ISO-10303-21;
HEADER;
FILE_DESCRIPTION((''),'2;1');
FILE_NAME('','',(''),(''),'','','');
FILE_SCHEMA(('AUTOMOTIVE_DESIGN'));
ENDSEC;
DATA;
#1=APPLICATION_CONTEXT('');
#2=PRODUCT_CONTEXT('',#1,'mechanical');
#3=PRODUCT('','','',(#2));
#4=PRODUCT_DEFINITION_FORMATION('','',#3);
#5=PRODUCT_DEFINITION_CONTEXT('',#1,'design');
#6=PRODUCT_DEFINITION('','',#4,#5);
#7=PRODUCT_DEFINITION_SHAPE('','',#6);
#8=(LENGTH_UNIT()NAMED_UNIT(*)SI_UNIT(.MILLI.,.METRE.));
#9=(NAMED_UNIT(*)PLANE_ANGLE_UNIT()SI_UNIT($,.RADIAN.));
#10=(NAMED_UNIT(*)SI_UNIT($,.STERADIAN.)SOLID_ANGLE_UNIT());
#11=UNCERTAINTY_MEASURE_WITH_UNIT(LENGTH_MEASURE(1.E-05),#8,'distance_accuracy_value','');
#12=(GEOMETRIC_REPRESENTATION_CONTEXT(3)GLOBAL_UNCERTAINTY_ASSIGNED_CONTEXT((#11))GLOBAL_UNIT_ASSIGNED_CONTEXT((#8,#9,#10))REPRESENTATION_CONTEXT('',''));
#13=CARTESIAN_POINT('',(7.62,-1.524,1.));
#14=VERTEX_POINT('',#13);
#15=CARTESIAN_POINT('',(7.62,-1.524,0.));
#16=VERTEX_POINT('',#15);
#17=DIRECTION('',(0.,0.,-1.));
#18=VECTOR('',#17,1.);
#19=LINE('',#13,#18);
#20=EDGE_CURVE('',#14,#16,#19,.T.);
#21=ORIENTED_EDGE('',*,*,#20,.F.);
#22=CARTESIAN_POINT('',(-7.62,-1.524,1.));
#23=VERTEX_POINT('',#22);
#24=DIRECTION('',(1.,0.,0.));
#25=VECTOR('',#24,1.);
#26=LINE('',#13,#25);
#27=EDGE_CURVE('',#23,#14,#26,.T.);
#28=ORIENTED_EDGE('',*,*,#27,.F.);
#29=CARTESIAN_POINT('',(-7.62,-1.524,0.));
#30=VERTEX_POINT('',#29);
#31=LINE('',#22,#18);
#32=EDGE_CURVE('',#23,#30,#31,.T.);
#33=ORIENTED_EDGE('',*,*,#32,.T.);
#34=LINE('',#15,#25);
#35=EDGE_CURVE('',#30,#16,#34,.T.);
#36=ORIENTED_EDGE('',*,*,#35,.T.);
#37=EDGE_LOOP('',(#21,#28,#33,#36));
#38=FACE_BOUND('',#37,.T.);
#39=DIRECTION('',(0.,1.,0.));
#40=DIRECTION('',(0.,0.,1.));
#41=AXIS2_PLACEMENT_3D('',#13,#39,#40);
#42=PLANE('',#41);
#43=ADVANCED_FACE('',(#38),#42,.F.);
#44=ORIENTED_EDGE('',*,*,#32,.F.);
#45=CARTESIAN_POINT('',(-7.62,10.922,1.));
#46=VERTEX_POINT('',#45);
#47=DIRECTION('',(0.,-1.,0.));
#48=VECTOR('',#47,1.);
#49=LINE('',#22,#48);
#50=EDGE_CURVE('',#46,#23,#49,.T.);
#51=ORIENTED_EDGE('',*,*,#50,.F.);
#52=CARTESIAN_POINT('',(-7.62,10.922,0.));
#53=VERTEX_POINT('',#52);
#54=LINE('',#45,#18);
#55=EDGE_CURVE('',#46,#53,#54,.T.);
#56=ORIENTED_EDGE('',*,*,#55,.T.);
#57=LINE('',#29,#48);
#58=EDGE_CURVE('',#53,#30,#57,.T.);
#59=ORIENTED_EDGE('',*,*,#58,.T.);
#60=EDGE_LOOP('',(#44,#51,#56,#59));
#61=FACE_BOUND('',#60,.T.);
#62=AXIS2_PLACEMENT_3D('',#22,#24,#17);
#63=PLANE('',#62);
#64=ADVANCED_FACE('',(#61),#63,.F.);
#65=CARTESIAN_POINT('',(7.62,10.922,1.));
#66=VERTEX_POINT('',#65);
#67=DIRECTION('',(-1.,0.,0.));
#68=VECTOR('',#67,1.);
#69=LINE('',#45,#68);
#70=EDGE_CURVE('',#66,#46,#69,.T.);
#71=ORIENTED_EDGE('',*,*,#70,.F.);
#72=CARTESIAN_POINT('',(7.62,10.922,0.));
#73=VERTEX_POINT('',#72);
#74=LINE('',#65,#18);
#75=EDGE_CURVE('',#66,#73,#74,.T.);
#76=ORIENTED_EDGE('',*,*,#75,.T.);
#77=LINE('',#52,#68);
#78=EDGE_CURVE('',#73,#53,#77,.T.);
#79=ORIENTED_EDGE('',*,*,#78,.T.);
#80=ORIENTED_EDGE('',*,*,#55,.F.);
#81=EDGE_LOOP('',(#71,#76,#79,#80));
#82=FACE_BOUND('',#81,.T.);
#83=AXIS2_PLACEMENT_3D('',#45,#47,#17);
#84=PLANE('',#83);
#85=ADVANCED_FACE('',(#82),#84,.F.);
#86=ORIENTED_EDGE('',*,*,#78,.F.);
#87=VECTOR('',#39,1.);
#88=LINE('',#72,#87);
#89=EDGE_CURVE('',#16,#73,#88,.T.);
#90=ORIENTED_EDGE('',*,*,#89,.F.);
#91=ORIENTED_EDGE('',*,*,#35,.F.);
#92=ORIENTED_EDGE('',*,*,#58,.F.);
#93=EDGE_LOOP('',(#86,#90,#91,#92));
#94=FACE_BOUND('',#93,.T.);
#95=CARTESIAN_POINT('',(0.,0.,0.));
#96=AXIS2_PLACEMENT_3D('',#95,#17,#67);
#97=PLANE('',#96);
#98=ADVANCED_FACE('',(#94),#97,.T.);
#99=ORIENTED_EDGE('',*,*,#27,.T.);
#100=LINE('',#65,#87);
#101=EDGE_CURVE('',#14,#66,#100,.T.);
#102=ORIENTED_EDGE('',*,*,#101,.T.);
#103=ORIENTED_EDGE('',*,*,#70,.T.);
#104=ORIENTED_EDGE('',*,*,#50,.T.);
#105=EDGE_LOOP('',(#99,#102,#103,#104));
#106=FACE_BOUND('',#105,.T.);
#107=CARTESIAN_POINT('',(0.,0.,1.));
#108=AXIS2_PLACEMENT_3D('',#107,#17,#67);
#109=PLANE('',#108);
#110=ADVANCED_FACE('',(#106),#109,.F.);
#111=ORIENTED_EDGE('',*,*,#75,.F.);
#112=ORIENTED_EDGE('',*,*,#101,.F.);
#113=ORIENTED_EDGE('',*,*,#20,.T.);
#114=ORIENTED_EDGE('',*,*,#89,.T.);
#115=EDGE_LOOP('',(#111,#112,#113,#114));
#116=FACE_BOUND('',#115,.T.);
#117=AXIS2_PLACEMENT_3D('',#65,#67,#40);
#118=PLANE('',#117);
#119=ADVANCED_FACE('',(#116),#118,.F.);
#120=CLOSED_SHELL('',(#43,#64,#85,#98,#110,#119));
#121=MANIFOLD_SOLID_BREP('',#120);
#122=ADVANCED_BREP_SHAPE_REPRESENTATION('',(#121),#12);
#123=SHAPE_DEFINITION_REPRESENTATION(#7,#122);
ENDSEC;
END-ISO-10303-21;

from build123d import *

# Parameters (mm, degrees)
SKIZZE1_W               = 15.24
SKIZZE1_H               = 12.446
COMPONENT_OUTLINE_DEPTH = 1


with BuildPart() as part:
    # Skizze1 → Component_Outline (new body)
    with BuildSketch(Plane.XY):
        with Locations((0, 4.699)):
            Rectangle(SKIZZE1_W, SKIZZE1_H)
    extrude(amount=COMPONENT_OUTLINE_DEPTH)


solid = part.part
